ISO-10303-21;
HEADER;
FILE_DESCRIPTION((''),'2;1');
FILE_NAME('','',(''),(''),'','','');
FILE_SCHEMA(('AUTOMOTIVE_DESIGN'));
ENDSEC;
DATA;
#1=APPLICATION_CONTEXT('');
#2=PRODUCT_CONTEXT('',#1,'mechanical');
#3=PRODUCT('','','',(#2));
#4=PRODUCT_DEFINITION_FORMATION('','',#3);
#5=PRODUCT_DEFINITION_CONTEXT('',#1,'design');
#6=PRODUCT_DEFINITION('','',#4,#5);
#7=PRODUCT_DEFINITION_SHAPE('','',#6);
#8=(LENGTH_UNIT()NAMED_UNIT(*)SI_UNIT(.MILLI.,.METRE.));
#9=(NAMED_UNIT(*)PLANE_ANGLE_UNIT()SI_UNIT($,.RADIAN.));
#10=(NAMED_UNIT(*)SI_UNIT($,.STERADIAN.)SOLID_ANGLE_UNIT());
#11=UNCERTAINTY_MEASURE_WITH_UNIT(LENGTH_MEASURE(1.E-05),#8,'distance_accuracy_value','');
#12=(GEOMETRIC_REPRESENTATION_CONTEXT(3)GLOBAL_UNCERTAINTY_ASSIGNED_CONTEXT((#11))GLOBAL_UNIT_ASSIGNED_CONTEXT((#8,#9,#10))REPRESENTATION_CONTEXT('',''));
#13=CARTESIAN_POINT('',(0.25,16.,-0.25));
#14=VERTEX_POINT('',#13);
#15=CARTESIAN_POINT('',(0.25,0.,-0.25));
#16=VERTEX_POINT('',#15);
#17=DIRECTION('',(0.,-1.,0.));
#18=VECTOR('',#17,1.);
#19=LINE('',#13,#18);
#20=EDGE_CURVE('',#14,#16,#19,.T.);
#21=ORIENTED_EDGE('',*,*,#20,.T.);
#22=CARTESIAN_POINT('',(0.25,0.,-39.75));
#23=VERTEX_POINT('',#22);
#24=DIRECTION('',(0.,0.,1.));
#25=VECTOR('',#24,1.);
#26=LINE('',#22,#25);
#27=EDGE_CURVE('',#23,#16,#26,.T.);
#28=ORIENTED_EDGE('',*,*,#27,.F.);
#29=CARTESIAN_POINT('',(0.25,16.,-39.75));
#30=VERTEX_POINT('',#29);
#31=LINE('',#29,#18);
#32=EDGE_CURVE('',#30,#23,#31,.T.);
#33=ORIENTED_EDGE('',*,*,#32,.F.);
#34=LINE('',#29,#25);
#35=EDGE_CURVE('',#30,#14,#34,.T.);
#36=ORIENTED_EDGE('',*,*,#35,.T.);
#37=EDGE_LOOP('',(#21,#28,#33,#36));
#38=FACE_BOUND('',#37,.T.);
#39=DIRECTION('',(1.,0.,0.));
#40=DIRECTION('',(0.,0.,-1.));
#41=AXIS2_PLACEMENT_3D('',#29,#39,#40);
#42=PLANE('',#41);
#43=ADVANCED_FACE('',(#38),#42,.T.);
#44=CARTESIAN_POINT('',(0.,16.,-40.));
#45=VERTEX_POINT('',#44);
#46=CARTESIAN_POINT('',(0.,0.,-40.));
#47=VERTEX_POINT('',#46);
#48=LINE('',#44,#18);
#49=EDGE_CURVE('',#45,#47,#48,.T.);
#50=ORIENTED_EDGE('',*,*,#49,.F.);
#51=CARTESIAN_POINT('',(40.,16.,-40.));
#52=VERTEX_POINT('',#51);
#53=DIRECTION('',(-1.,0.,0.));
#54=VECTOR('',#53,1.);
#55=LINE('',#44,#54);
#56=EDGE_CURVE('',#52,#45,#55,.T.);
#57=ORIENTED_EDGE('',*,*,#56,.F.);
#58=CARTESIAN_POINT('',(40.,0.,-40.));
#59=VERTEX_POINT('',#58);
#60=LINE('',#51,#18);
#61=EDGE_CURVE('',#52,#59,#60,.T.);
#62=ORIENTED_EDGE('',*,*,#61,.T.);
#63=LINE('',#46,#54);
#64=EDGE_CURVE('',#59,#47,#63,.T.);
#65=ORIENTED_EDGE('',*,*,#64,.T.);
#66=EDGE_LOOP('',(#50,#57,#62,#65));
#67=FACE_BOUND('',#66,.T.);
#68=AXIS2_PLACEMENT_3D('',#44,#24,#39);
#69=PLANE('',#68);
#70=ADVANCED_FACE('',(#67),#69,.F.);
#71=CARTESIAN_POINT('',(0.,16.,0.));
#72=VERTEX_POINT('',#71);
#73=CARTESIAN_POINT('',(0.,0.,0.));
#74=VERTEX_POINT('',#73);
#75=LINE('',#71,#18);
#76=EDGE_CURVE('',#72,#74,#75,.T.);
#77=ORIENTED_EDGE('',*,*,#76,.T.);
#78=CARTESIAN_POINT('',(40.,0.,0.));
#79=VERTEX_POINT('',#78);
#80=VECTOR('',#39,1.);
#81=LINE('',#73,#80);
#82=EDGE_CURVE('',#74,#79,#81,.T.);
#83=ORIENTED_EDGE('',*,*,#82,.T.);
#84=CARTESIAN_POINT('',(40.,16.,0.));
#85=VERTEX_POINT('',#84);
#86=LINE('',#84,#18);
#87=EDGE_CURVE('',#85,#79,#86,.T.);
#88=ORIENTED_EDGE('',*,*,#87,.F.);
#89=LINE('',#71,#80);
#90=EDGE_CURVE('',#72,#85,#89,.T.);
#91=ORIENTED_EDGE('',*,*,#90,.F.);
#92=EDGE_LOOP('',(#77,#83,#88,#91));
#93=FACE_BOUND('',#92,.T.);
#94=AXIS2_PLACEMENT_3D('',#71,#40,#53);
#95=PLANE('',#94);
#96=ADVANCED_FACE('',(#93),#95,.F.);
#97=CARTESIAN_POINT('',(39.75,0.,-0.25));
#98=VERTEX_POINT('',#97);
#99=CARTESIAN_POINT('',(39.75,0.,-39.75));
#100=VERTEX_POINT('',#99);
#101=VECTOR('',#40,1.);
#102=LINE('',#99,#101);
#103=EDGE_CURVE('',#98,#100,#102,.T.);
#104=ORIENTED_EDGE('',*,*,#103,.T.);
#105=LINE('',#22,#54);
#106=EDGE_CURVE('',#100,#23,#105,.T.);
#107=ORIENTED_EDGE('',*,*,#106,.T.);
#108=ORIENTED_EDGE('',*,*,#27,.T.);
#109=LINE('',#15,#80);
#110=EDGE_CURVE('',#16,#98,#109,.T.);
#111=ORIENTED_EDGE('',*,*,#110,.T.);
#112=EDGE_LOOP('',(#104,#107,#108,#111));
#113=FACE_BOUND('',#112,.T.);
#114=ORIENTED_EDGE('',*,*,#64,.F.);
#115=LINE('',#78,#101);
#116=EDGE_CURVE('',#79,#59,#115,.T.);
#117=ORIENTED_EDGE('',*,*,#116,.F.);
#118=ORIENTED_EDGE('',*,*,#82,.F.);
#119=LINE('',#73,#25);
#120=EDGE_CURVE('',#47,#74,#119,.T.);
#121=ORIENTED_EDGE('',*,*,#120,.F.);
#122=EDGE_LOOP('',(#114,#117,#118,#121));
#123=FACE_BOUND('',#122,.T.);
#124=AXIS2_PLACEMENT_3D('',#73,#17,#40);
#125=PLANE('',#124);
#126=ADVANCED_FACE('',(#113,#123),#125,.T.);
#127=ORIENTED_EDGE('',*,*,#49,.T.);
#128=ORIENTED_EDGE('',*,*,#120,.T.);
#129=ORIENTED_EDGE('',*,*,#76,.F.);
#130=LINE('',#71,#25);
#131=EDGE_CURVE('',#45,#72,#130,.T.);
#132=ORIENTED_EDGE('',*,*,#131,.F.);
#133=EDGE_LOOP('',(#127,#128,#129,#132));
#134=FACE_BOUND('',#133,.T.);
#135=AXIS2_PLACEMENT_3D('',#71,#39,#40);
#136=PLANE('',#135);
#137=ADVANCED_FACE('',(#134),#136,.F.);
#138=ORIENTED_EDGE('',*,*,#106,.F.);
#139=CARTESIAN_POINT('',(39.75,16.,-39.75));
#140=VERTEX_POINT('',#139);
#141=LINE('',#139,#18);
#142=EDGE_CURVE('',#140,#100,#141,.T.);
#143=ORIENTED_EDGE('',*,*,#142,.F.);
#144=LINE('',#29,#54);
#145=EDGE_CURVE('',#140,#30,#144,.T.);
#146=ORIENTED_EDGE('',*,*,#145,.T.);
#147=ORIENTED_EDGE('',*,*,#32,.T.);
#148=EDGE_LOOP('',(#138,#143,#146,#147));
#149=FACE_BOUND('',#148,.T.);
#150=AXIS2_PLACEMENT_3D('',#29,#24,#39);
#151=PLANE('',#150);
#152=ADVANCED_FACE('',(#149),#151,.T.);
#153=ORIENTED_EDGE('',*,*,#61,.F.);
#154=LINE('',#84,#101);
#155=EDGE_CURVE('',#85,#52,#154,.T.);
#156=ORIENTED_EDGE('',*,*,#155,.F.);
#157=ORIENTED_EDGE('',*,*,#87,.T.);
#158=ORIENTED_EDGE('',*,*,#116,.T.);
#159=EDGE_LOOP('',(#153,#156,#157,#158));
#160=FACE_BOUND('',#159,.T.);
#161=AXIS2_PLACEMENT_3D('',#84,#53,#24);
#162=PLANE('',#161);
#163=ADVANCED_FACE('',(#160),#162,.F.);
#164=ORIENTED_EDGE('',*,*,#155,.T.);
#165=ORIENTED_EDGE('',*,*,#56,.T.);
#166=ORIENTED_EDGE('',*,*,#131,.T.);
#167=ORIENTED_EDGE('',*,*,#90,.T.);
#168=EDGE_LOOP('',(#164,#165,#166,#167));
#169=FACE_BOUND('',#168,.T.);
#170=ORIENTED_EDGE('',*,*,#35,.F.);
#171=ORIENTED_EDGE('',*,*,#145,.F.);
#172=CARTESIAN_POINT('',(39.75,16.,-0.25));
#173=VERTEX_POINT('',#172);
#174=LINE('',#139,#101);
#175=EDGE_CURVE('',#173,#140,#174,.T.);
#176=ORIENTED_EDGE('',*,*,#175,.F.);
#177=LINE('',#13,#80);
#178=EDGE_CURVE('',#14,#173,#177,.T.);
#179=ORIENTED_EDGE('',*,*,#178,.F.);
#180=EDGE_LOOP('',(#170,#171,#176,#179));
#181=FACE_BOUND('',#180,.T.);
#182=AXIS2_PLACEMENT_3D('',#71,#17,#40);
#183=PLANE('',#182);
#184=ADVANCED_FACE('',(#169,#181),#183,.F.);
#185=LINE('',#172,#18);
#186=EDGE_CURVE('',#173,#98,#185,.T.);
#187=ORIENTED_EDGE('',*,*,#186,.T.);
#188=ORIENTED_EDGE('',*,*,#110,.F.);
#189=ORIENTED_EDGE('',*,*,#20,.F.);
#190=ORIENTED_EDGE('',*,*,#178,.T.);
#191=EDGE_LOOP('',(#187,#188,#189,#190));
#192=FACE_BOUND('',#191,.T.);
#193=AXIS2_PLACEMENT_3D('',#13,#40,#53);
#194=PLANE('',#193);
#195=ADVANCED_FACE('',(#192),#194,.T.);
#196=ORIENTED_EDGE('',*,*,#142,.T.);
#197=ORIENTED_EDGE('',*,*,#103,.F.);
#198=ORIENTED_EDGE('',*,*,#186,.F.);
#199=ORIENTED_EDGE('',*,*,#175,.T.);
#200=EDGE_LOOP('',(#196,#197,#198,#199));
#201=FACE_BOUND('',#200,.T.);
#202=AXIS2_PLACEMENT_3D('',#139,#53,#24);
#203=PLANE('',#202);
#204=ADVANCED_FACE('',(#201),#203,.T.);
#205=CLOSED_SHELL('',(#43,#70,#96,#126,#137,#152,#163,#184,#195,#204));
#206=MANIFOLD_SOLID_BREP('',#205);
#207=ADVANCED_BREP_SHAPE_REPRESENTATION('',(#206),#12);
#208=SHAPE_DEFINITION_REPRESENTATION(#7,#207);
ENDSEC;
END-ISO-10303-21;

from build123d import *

# Parameters (mm, degrees)
SKETCH2_W           = 40
SKETCH2_H           = 40
SKETCH2_W_2         = 39.5
SKETCH2_H_2         = 39.5
BOSS_EXTRUDE4_DEPTH = 16


with BuildPart() as part:
    # Sketch2 → Boss-Extrude4 (new body)
    with BuildSketch(Plane(origin=(0, 0, 0), x_dir=(1, 0, 0), z_dir=(0, 1, 0))):
        with Locations((20, 20)):
            Rectangle(SKETCH2_W, SKETCH2_H)
        with Locations((20, 20)):
            Rectangle(SKETCH2_W_2, SKETCH2_H_2, mode=Mode.SUBTRACT)
    extrude(amount=BOSS_EXTRUDE4_DEPTH)


solid = part.part
